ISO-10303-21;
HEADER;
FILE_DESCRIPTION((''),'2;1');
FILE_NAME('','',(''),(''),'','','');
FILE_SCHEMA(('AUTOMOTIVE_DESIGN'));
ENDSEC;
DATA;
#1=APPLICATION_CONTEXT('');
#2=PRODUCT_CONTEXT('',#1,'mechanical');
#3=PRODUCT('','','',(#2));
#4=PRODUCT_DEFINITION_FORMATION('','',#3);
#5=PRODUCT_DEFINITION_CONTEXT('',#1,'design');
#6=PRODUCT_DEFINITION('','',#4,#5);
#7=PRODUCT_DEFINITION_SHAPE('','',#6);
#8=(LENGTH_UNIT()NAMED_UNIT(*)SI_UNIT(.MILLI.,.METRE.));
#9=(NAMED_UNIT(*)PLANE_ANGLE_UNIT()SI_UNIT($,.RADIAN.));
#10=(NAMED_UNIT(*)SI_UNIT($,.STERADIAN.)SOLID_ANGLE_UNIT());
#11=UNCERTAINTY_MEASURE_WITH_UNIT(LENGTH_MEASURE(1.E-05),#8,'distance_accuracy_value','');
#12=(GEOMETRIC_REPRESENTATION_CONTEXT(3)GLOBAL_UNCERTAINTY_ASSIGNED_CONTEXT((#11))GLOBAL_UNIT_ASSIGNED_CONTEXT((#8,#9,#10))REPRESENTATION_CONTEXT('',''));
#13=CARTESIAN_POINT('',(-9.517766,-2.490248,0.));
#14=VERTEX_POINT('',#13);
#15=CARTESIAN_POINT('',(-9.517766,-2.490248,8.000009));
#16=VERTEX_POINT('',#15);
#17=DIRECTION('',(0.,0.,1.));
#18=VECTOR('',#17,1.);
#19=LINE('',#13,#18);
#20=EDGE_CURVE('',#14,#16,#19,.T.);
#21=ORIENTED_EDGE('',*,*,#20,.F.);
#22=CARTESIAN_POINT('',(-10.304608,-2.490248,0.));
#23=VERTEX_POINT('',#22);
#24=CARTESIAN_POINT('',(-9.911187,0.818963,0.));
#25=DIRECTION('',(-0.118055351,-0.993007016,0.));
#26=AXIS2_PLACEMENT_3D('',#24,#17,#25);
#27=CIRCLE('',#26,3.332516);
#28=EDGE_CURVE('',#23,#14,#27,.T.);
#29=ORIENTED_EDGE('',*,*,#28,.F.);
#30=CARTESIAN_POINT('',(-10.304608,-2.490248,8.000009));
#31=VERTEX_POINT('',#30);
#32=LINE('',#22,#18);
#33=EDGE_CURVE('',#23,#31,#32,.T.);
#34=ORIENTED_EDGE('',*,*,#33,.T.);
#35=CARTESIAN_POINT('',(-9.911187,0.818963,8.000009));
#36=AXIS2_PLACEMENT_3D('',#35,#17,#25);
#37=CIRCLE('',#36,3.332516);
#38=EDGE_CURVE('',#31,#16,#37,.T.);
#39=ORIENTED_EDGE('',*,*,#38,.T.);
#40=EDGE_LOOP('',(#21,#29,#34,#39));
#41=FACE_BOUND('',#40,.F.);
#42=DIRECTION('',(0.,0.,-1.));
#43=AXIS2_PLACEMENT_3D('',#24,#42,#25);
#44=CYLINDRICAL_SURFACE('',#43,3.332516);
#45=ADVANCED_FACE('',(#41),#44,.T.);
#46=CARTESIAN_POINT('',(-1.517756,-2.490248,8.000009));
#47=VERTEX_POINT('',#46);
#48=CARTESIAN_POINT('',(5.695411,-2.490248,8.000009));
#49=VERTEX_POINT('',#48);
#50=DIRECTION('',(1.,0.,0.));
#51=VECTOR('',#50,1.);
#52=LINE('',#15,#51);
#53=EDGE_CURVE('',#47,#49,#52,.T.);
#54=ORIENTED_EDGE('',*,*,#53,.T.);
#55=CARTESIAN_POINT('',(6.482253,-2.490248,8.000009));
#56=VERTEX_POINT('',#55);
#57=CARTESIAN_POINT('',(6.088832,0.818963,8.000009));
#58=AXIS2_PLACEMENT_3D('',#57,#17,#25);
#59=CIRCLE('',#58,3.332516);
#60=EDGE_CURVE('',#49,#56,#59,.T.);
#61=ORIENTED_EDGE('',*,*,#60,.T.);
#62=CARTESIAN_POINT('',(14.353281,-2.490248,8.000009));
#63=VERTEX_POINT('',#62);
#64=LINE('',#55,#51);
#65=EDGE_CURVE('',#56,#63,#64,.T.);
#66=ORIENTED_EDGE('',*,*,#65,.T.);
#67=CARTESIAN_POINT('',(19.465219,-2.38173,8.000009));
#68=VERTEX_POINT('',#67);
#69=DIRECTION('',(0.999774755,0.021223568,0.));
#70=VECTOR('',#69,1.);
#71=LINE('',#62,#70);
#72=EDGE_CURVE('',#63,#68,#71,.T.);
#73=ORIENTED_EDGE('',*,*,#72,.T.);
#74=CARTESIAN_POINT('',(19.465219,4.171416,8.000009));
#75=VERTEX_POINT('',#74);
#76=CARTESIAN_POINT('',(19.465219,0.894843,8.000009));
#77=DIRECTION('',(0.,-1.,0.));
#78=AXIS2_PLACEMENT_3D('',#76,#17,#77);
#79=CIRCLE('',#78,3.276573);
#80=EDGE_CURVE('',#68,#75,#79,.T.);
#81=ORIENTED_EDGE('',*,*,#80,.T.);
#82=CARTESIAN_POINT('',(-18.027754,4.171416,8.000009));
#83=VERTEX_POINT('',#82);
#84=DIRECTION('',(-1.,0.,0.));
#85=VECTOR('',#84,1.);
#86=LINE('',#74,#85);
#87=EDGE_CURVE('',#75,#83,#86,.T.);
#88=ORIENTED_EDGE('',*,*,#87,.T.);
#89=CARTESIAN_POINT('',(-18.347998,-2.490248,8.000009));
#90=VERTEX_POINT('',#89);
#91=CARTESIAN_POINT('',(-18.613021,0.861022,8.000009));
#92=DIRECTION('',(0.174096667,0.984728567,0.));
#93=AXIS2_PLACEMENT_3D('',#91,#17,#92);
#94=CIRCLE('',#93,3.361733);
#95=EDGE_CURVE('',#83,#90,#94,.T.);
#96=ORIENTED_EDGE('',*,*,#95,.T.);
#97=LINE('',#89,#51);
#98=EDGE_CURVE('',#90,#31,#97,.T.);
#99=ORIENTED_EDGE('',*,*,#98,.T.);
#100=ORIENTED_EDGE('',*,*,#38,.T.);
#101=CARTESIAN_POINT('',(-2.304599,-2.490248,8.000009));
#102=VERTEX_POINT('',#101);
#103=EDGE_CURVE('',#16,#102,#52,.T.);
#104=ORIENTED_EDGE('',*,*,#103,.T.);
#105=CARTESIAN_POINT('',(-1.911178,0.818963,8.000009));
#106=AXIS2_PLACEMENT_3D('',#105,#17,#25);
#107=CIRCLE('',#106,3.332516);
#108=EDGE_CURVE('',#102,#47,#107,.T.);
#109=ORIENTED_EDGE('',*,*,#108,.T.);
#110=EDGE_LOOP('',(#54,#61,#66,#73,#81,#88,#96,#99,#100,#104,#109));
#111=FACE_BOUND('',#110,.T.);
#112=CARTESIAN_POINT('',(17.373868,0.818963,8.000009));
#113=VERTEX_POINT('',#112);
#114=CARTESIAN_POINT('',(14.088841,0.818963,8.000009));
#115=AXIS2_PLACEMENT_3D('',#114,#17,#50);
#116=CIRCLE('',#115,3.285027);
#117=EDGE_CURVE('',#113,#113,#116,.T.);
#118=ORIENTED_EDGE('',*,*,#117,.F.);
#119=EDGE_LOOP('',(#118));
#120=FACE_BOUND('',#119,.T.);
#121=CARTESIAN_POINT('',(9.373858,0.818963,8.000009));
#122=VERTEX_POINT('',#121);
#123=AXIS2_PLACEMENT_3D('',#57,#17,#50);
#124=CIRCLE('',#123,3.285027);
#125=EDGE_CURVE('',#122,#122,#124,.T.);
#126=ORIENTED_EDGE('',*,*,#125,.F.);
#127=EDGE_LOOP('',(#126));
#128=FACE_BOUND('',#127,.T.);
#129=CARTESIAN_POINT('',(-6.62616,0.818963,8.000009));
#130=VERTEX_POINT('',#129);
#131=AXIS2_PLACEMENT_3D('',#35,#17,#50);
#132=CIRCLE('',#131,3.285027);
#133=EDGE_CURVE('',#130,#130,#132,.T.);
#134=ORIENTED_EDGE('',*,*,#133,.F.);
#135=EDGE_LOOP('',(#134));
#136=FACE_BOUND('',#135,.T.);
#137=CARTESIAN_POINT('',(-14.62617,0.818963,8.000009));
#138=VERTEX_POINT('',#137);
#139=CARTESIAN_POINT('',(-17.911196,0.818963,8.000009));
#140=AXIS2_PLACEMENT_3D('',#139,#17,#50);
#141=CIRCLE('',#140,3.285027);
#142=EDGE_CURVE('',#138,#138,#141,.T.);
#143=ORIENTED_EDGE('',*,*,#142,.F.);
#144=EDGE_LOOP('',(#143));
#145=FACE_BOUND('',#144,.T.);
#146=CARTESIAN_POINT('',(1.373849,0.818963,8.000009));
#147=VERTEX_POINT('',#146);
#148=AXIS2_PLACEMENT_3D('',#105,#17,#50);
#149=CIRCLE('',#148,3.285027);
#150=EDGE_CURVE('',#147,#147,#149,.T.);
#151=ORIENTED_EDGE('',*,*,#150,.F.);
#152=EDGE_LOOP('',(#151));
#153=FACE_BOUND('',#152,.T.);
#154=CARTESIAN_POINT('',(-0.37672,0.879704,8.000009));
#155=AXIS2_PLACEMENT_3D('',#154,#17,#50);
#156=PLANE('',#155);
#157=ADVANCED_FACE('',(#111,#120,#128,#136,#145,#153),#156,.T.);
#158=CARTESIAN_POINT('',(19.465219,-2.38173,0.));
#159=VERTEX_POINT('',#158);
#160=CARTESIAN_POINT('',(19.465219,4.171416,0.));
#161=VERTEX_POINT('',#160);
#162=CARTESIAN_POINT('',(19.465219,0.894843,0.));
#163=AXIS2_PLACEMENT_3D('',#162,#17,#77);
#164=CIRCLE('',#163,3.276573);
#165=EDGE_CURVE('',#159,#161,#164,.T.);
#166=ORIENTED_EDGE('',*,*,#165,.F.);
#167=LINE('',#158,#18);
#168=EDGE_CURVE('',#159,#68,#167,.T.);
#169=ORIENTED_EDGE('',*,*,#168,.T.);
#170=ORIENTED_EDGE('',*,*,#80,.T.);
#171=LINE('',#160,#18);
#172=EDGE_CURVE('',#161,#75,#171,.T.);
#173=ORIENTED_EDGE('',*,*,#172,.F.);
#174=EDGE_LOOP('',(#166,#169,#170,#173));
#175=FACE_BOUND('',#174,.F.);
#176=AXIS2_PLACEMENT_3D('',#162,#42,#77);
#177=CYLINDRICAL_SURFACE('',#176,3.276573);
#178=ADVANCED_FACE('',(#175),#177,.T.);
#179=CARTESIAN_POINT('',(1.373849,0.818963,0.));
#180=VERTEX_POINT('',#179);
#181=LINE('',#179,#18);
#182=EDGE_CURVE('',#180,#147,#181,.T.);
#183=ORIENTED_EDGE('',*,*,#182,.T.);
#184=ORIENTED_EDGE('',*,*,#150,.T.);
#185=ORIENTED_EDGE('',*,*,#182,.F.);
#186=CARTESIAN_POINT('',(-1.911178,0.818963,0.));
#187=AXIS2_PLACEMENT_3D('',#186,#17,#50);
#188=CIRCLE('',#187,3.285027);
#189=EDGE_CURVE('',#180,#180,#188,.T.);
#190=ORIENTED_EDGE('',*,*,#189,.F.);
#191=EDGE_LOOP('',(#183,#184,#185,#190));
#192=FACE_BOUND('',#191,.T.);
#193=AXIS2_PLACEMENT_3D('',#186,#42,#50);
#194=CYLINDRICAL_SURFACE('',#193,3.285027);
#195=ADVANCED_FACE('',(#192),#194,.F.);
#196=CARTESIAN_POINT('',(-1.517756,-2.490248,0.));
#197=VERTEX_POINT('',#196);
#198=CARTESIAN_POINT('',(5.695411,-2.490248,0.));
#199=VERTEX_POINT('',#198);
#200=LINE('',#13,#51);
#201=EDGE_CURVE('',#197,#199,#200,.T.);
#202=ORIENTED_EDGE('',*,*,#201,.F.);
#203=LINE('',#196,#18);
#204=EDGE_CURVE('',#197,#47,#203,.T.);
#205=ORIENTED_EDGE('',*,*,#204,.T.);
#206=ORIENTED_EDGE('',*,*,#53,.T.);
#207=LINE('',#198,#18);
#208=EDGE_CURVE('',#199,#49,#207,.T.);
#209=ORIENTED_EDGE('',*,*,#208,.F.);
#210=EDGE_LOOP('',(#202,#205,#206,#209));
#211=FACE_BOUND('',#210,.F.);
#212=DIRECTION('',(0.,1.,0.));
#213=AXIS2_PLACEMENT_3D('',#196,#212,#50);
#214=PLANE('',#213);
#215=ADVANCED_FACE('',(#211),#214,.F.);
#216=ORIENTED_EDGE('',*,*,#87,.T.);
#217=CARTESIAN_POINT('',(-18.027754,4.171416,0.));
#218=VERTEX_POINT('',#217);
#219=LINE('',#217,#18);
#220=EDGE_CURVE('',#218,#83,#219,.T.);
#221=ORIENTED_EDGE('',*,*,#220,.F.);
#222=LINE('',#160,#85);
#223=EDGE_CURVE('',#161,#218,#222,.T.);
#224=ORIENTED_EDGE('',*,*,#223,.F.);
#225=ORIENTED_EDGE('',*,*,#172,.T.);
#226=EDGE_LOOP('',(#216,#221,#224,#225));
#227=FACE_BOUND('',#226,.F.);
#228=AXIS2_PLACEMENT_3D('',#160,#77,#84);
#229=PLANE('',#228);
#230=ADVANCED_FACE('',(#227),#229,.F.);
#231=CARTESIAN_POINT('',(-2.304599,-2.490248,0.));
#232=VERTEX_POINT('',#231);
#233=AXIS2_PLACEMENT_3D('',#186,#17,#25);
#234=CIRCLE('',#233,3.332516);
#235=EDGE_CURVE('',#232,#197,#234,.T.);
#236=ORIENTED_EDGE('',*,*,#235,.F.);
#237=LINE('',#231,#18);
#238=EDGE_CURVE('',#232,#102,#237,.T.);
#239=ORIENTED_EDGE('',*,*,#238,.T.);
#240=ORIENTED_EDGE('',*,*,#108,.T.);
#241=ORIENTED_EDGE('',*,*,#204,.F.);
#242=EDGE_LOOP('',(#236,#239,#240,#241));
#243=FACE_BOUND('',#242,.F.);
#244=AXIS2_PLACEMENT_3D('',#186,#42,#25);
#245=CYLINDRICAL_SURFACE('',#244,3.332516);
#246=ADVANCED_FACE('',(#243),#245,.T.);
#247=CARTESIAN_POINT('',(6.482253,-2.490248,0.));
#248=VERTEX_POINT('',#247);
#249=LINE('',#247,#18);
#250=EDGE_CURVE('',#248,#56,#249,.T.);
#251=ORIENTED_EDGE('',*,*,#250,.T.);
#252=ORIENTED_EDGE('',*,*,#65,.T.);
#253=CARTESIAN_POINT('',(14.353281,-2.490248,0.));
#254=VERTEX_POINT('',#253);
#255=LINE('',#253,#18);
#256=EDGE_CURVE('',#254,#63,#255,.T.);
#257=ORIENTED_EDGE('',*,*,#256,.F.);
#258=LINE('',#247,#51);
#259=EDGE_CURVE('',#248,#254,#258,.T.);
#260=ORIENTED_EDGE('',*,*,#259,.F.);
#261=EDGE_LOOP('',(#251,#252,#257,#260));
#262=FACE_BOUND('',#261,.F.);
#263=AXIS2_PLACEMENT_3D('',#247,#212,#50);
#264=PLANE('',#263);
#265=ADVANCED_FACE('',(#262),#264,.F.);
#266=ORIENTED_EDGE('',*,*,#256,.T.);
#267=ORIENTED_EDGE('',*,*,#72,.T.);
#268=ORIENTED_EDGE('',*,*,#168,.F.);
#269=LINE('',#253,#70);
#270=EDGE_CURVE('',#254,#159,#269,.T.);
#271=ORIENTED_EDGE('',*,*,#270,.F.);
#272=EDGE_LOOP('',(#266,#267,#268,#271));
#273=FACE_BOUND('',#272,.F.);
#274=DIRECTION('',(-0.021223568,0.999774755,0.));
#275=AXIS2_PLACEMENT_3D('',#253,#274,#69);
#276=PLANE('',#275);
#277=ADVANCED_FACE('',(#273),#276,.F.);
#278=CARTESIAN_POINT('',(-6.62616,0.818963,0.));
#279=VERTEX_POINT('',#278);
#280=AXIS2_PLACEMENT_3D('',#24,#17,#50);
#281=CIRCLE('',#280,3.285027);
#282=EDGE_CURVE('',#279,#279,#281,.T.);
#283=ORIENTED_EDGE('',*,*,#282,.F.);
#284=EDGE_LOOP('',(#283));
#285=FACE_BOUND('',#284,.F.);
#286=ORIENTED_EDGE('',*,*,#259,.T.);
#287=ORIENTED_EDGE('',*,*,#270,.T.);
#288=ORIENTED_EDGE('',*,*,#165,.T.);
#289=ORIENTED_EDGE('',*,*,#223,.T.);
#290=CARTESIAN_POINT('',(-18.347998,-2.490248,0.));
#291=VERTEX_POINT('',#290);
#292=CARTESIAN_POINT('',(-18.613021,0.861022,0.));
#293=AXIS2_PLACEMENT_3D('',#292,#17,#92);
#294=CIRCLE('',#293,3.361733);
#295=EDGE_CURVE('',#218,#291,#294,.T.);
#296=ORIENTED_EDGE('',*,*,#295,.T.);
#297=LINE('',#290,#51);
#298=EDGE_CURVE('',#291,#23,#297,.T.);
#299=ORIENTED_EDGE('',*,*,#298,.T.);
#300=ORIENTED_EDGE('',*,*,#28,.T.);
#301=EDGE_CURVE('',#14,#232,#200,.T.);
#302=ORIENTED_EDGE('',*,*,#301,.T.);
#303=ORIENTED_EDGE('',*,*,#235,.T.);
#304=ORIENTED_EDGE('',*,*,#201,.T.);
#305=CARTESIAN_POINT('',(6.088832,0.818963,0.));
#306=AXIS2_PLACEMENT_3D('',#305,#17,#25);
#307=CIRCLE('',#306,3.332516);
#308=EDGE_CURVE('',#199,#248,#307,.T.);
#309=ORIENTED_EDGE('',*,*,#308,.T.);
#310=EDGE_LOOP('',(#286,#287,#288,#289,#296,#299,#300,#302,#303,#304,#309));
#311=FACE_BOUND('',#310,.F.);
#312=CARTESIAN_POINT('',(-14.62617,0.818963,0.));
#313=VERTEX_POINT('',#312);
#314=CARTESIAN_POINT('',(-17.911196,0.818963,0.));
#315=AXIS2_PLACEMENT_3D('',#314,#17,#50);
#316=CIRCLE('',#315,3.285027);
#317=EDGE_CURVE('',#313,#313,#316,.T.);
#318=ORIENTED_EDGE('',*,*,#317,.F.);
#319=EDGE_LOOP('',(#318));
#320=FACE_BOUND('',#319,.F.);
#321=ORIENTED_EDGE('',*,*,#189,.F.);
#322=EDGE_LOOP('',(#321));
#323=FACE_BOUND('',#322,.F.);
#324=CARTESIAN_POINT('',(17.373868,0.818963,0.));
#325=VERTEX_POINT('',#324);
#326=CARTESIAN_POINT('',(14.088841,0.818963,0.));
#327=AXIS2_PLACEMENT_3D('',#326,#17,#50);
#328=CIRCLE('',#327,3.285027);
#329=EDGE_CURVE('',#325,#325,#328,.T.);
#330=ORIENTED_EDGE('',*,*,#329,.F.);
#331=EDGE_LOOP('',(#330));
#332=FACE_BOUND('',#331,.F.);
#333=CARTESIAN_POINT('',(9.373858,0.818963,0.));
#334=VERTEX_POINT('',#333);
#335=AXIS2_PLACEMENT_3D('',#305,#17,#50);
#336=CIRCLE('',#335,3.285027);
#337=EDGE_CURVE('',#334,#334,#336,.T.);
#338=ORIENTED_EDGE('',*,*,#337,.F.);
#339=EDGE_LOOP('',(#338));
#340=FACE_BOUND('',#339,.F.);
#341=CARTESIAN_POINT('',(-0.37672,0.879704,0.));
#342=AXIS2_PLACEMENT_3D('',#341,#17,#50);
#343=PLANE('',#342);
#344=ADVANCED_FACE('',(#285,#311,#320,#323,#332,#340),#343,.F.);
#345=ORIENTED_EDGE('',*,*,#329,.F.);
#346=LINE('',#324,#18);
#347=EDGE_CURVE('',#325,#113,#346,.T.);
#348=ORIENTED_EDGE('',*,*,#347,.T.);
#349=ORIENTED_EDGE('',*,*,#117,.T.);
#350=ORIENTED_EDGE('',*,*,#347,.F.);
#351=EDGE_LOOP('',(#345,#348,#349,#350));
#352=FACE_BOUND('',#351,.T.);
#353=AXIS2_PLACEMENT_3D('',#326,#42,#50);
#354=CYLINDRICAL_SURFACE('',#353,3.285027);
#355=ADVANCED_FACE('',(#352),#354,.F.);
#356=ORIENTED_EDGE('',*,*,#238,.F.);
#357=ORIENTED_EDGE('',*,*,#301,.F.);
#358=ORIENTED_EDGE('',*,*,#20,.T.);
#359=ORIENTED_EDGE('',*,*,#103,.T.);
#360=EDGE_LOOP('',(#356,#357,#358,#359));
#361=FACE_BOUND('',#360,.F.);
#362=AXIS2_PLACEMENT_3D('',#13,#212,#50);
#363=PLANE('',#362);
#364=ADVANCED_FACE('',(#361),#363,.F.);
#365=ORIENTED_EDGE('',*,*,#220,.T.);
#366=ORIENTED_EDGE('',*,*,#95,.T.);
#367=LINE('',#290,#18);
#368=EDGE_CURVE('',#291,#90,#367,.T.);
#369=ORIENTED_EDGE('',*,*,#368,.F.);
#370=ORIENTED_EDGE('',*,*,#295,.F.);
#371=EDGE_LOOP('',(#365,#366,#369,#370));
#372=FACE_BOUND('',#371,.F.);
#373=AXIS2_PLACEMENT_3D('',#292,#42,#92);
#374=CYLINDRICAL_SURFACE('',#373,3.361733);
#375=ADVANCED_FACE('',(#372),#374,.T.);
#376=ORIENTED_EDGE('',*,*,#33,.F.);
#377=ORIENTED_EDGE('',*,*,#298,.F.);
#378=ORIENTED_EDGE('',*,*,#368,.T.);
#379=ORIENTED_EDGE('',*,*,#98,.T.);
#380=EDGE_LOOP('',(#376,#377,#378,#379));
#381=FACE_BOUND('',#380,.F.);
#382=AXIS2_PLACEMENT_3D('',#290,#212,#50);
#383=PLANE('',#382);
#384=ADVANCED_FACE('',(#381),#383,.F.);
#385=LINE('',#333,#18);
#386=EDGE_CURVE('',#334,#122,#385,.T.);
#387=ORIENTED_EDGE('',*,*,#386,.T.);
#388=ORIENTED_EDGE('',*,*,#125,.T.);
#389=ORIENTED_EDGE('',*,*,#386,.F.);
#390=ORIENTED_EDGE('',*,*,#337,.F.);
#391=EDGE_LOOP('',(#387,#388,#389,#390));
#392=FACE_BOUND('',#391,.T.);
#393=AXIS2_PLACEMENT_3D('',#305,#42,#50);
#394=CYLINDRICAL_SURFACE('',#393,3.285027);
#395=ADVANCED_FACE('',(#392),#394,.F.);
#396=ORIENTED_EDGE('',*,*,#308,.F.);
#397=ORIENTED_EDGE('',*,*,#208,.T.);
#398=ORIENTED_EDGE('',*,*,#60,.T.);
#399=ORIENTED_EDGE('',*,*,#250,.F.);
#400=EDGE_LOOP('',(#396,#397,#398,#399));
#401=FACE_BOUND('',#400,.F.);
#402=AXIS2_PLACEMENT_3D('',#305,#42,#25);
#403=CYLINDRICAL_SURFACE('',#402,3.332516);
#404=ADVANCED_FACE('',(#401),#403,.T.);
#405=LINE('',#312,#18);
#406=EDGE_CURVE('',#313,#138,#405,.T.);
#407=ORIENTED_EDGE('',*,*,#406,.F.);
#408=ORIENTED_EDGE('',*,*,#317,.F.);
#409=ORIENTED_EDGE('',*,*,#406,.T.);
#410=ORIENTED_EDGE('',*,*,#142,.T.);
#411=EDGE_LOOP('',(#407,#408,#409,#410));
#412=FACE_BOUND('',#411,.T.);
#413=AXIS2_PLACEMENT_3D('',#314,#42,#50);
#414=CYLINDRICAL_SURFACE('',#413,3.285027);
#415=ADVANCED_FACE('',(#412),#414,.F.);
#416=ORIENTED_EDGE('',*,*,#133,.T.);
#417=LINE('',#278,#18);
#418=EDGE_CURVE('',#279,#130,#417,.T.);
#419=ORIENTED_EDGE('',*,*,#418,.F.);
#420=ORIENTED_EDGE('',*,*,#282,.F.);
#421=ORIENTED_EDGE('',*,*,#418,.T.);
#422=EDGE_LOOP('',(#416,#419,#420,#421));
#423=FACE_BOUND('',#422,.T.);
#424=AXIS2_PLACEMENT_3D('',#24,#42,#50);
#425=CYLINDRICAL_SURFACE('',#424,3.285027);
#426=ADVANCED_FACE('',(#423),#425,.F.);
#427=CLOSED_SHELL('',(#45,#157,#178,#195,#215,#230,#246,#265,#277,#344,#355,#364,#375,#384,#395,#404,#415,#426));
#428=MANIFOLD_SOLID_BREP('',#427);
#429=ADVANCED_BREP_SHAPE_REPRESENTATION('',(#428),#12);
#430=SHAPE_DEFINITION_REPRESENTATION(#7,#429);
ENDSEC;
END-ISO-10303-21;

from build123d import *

# Parameters (mm, degrees)
F0_R     = 3.28502651
F1_DEPTH = 8.0000094


with BuildPart() as f1:
    # F0 (on Top) → F1 (new body)
    with BuildSketch(Plane.XY):
        with BuildLine():
            Line((14.3155401794, 4.1714163226), (-18.027754119, 4.1714163226))
            ThreePointArc((-18.027754119, 4.1714163226), (-21.9708757472, 1.022442996), (-18.3479981245, -2.4902481259))
            Line((-18.3479981245, -2.4902481259), (-10.3046082925, -2.4902481259))
            ThreePointArc((-10.3046082925, -2.4902481259), (-12.1241688453, 3.3106235335), (-6.5786714485, 0.8189631964))
            ThreePointArc((-6.5786714485, 0.8189631964), (-7.4195266613, -1.3940186505), (-9.5177657042, -2.4902481259))
            Line((-9.5177657042, -2.4902481259), (-2.3045988925, -2.4902481259))
            ThreePointArc((-2.3045988925, -2.4902481259), (-4.1241594453, 3.3106235335), (1.4213379515, 0.8189631964))
            ThreePointArc((1.4213379515, 0.8189631964), (0.5804827387, -1.3940186505), (-1.5177563042, -2.4902481259))
            Line((-1.5177563042, -2.4902481259), (5.6954105075, -2.4902481259))
            ThreePointArc((5.6954105075, -2.4902481259), (3.8758499547, 3.3106235335), (9.4213473515, 0.8189631964))
            ThreePointArc((9.4213473515, 0.8189631964), (8.5804921387, -1.3940186505), (6.4822530958, -2.4902481259))
            Line((6.4822530958, -2.4902481259), (14.3532814922, -2.4902481259))
            Line((14.3532814922, -2.4902481259), (19.4652192295, -2.3817301262))
            ThreePointArc((19.4652192295, -2.3817301262), (22.7417924539, 0.8948430982), (19.4652192295, 4.1714163226))
            Line((19.4652192295, 4.1714163226), (14.3155401794, 4.1714163226))
        make_face()
        with Locations((-17.9111963984, 0.8189631964)):
            Circle(F0_R, mode=Mode.SUBTRACT)
        with Locations((14.0888412016, 0.8189631964)):
            Circle(F0_R, mode=Mode.SUBTRACT)
        with BuildLine():
            ThreePointArc((-6.5786714485, 0.8189631964), (-12.1241688453, 3.3106235335), (-10.3046082925, -2.4902481259))
            Line((-10.3046082925, -2.4902481259), (-9.5177657042, -2.4902481259))
            ThreePointArc((-9.5177657042, -2.4902481259), (-7.4195266613, -1.3940186505), (-6.5786714485, 0.8189631964))
        make_face()
        with Locations((-9.9111869984, 0.8189631964)):
            Circle(F0_R, mode=Mode.SUBTRACT)
        with BuildLine():
            Line((-9.5177657042, -2.4902481259), (-10.3046082925, -2.4902481259))
            ThreePointArc((-10.3046082925, -2.4902481259), (-9.9111869984, -2.5135523535), (-9.5177657042, -2.4902481259))
        make_face()
        with BuildLine():
            ThreePointArc((1.4213379515, 0.8189631964), (-4.1241594453, 3.3106235335), (-2.3045988925, -2.4902481259))
            Line((-2.3045988925, -2.4902481259), (-1.5177563042, -2.4902481259))
            ThreePointArc((-1.5177563042, -2.4902481259), (0.5804827387, -1.3940186505), (1.4213379515, 0.8189631964))
        make_face()
        with Locations((-1.9111775984, 0.8189631964)):
            Circle(F0_R, mode=Mode.SUBTRACT)
        with BuildLine():
            Line((-1.5177563042, -2.4902481259), (-2.3045988925, -2.4902481259))
            ThreePointArc((-2.3045988925, -2.4902481259), (-1.9111775984, -2.5135523535), (-1.5177563042, -2.4902481259))
        make_face()
        with BuildLine():
            ThreePointArc((5.6954105075, -2.4902481259), (6.0888318016, -2.5135523535), (6.4822530958, -2.4902481259))
            Line((6.4822530958, -2.4902481259), (5.6954105075, -2.4902481259))
        make_face()
        with BuildLine():
            Line((5.6954105075, -2.4902481259), (6.4822530958, -2.4902481259))
            ThreePointArc((6.4822530958, -2.4902481259), (8.5804921387, -1.3940186505), (9.4213473515, 0.8189631964))
            ThreePointArc((9.4213473515, 0.8189631964), (3.8758499547, 3.3106235335), (5.6954105075, -2.4902481259))
        make_face()
        with Locations((6.0888318016, 0.8189631964)):
            Circle(F0_R, mode=Mode.SUBTRACT)
    extrude(amount=F1_DEPTH)


solid = f1.part
